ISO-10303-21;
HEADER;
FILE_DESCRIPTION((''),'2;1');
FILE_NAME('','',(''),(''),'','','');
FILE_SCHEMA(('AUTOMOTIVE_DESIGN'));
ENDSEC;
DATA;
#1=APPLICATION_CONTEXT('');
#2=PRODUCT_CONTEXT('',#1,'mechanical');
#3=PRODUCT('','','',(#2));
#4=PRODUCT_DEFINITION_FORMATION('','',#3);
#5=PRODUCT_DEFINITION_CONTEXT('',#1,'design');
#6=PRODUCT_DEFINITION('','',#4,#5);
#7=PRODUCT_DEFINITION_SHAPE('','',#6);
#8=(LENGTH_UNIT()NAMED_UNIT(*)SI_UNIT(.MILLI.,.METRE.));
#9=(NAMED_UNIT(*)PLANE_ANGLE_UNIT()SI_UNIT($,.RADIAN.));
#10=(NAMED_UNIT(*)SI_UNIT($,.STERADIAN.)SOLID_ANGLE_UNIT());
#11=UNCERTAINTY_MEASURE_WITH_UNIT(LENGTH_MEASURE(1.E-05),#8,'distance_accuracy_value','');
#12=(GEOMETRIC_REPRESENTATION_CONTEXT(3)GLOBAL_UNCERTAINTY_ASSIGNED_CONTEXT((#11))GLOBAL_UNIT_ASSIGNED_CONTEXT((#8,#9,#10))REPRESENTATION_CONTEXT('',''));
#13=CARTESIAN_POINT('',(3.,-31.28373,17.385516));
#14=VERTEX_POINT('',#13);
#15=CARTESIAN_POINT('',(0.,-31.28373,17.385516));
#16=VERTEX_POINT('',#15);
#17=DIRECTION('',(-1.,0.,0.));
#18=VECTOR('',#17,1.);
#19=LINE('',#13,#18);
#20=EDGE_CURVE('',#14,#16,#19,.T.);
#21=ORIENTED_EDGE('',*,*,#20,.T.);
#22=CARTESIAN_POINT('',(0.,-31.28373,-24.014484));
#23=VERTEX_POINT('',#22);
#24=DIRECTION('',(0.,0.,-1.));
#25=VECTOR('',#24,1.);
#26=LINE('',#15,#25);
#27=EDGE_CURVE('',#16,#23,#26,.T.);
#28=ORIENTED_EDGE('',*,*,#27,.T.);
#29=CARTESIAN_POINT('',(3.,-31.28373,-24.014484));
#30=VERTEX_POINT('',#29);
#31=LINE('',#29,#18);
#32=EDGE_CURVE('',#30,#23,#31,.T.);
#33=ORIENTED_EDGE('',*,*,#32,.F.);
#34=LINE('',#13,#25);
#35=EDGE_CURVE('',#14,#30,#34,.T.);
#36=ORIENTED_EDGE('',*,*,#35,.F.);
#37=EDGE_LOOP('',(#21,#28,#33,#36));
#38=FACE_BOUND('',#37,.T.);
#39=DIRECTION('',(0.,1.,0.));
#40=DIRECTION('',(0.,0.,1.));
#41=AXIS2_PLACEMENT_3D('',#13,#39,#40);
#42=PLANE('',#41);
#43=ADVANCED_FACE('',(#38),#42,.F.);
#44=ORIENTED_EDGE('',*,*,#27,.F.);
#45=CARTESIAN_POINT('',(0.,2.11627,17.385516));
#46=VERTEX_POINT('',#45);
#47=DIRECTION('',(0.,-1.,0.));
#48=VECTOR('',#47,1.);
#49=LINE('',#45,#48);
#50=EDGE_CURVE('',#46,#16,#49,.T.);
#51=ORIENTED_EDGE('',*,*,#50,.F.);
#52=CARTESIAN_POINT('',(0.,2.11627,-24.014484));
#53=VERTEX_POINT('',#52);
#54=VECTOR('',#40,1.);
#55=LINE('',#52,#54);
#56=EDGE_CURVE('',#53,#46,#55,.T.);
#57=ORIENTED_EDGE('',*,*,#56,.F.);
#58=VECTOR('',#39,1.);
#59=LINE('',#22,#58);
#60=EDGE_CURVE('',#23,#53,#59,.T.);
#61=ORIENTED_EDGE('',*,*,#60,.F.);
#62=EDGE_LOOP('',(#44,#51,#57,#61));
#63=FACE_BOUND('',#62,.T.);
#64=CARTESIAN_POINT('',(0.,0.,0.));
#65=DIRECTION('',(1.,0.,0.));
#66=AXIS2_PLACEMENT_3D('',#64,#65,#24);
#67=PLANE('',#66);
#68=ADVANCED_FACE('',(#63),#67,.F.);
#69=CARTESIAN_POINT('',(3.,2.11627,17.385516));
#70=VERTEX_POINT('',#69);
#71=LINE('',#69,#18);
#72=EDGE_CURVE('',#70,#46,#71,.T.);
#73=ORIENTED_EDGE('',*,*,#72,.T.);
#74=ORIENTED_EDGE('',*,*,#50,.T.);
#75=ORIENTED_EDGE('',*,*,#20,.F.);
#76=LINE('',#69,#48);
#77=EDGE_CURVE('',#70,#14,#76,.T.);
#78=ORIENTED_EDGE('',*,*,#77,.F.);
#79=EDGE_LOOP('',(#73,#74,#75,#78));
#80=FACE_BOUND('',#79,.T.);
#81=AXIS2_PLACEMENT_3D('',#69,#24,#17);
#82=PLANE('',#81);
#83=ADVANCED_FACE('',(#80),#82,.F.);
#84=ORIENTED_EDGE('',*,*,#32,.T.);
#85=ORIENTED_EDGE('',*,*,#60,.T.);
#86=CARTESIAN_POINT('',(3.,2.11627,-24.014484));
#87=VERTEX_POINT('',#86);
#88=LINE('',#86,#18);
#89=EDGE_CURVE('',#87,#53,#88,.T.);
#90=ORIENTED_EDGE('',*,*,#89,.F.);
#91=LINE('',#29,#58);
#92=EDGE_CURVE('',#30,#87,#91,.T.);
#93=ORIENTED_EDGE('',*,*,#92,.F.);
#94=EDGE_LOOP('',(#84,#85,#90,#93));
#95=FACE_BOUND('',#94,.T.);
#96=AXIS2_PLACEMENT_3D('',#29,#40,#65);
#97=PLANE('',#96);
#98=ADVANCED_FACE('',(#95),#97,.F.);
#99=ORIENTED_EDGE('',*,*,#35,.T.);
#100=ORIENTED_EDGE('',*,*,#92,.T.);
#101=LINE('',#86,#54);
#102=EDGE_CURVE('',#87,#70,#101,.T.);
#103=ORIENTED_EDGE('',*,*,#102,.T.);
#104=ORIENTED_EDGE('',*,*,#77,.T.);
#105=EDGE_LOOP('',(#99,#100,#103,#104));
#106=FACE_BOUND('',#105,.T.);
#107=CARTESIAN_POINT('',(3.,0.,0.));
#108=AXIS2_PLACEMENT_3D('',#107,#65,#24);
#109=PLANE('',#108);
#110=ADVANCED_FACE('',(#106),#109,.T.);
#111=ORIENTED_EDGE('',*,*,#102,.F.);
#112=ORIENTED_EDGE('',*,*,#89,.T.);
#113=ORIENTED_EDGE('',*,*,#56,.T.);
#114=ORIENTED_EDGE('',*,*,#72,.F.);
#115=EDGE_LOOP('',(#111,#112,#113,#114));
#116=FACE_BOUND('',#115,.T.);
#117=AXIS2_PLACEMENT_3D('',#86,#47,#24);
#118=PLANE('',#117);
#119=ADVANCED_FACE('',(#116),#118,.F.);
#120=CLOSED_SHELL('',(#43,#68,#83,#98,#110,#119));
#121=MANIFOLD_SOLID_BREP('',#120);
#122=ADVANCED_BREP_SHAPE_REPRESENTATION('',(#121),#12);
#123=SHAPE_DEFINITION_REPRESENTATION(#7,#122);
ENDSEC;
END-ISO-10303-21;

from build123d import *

# Parameters (mm, degrees)
CROQUIS1_W              = 41.4
CROQUIS1_H              = 33.400000005
SALIENTE_EXTRUIR1_DEPTH = 3


with BuildPart() as part:
    # Croquis1 → Saliente-Extruir1 (new body)
    with BuildSketch(Plane(origin=(0, 0, 0), x_dir=(0, 0, -1), z_dir=(1, 0, 0))):
        with Locations((3.314484047, -14.583729806)):
            Rectangle(CROQUIS1_W, CROQUIS1_H)
    extrude(amount=SALIENTE_EXTRUIR1_DEPTH)


solid = part.part
